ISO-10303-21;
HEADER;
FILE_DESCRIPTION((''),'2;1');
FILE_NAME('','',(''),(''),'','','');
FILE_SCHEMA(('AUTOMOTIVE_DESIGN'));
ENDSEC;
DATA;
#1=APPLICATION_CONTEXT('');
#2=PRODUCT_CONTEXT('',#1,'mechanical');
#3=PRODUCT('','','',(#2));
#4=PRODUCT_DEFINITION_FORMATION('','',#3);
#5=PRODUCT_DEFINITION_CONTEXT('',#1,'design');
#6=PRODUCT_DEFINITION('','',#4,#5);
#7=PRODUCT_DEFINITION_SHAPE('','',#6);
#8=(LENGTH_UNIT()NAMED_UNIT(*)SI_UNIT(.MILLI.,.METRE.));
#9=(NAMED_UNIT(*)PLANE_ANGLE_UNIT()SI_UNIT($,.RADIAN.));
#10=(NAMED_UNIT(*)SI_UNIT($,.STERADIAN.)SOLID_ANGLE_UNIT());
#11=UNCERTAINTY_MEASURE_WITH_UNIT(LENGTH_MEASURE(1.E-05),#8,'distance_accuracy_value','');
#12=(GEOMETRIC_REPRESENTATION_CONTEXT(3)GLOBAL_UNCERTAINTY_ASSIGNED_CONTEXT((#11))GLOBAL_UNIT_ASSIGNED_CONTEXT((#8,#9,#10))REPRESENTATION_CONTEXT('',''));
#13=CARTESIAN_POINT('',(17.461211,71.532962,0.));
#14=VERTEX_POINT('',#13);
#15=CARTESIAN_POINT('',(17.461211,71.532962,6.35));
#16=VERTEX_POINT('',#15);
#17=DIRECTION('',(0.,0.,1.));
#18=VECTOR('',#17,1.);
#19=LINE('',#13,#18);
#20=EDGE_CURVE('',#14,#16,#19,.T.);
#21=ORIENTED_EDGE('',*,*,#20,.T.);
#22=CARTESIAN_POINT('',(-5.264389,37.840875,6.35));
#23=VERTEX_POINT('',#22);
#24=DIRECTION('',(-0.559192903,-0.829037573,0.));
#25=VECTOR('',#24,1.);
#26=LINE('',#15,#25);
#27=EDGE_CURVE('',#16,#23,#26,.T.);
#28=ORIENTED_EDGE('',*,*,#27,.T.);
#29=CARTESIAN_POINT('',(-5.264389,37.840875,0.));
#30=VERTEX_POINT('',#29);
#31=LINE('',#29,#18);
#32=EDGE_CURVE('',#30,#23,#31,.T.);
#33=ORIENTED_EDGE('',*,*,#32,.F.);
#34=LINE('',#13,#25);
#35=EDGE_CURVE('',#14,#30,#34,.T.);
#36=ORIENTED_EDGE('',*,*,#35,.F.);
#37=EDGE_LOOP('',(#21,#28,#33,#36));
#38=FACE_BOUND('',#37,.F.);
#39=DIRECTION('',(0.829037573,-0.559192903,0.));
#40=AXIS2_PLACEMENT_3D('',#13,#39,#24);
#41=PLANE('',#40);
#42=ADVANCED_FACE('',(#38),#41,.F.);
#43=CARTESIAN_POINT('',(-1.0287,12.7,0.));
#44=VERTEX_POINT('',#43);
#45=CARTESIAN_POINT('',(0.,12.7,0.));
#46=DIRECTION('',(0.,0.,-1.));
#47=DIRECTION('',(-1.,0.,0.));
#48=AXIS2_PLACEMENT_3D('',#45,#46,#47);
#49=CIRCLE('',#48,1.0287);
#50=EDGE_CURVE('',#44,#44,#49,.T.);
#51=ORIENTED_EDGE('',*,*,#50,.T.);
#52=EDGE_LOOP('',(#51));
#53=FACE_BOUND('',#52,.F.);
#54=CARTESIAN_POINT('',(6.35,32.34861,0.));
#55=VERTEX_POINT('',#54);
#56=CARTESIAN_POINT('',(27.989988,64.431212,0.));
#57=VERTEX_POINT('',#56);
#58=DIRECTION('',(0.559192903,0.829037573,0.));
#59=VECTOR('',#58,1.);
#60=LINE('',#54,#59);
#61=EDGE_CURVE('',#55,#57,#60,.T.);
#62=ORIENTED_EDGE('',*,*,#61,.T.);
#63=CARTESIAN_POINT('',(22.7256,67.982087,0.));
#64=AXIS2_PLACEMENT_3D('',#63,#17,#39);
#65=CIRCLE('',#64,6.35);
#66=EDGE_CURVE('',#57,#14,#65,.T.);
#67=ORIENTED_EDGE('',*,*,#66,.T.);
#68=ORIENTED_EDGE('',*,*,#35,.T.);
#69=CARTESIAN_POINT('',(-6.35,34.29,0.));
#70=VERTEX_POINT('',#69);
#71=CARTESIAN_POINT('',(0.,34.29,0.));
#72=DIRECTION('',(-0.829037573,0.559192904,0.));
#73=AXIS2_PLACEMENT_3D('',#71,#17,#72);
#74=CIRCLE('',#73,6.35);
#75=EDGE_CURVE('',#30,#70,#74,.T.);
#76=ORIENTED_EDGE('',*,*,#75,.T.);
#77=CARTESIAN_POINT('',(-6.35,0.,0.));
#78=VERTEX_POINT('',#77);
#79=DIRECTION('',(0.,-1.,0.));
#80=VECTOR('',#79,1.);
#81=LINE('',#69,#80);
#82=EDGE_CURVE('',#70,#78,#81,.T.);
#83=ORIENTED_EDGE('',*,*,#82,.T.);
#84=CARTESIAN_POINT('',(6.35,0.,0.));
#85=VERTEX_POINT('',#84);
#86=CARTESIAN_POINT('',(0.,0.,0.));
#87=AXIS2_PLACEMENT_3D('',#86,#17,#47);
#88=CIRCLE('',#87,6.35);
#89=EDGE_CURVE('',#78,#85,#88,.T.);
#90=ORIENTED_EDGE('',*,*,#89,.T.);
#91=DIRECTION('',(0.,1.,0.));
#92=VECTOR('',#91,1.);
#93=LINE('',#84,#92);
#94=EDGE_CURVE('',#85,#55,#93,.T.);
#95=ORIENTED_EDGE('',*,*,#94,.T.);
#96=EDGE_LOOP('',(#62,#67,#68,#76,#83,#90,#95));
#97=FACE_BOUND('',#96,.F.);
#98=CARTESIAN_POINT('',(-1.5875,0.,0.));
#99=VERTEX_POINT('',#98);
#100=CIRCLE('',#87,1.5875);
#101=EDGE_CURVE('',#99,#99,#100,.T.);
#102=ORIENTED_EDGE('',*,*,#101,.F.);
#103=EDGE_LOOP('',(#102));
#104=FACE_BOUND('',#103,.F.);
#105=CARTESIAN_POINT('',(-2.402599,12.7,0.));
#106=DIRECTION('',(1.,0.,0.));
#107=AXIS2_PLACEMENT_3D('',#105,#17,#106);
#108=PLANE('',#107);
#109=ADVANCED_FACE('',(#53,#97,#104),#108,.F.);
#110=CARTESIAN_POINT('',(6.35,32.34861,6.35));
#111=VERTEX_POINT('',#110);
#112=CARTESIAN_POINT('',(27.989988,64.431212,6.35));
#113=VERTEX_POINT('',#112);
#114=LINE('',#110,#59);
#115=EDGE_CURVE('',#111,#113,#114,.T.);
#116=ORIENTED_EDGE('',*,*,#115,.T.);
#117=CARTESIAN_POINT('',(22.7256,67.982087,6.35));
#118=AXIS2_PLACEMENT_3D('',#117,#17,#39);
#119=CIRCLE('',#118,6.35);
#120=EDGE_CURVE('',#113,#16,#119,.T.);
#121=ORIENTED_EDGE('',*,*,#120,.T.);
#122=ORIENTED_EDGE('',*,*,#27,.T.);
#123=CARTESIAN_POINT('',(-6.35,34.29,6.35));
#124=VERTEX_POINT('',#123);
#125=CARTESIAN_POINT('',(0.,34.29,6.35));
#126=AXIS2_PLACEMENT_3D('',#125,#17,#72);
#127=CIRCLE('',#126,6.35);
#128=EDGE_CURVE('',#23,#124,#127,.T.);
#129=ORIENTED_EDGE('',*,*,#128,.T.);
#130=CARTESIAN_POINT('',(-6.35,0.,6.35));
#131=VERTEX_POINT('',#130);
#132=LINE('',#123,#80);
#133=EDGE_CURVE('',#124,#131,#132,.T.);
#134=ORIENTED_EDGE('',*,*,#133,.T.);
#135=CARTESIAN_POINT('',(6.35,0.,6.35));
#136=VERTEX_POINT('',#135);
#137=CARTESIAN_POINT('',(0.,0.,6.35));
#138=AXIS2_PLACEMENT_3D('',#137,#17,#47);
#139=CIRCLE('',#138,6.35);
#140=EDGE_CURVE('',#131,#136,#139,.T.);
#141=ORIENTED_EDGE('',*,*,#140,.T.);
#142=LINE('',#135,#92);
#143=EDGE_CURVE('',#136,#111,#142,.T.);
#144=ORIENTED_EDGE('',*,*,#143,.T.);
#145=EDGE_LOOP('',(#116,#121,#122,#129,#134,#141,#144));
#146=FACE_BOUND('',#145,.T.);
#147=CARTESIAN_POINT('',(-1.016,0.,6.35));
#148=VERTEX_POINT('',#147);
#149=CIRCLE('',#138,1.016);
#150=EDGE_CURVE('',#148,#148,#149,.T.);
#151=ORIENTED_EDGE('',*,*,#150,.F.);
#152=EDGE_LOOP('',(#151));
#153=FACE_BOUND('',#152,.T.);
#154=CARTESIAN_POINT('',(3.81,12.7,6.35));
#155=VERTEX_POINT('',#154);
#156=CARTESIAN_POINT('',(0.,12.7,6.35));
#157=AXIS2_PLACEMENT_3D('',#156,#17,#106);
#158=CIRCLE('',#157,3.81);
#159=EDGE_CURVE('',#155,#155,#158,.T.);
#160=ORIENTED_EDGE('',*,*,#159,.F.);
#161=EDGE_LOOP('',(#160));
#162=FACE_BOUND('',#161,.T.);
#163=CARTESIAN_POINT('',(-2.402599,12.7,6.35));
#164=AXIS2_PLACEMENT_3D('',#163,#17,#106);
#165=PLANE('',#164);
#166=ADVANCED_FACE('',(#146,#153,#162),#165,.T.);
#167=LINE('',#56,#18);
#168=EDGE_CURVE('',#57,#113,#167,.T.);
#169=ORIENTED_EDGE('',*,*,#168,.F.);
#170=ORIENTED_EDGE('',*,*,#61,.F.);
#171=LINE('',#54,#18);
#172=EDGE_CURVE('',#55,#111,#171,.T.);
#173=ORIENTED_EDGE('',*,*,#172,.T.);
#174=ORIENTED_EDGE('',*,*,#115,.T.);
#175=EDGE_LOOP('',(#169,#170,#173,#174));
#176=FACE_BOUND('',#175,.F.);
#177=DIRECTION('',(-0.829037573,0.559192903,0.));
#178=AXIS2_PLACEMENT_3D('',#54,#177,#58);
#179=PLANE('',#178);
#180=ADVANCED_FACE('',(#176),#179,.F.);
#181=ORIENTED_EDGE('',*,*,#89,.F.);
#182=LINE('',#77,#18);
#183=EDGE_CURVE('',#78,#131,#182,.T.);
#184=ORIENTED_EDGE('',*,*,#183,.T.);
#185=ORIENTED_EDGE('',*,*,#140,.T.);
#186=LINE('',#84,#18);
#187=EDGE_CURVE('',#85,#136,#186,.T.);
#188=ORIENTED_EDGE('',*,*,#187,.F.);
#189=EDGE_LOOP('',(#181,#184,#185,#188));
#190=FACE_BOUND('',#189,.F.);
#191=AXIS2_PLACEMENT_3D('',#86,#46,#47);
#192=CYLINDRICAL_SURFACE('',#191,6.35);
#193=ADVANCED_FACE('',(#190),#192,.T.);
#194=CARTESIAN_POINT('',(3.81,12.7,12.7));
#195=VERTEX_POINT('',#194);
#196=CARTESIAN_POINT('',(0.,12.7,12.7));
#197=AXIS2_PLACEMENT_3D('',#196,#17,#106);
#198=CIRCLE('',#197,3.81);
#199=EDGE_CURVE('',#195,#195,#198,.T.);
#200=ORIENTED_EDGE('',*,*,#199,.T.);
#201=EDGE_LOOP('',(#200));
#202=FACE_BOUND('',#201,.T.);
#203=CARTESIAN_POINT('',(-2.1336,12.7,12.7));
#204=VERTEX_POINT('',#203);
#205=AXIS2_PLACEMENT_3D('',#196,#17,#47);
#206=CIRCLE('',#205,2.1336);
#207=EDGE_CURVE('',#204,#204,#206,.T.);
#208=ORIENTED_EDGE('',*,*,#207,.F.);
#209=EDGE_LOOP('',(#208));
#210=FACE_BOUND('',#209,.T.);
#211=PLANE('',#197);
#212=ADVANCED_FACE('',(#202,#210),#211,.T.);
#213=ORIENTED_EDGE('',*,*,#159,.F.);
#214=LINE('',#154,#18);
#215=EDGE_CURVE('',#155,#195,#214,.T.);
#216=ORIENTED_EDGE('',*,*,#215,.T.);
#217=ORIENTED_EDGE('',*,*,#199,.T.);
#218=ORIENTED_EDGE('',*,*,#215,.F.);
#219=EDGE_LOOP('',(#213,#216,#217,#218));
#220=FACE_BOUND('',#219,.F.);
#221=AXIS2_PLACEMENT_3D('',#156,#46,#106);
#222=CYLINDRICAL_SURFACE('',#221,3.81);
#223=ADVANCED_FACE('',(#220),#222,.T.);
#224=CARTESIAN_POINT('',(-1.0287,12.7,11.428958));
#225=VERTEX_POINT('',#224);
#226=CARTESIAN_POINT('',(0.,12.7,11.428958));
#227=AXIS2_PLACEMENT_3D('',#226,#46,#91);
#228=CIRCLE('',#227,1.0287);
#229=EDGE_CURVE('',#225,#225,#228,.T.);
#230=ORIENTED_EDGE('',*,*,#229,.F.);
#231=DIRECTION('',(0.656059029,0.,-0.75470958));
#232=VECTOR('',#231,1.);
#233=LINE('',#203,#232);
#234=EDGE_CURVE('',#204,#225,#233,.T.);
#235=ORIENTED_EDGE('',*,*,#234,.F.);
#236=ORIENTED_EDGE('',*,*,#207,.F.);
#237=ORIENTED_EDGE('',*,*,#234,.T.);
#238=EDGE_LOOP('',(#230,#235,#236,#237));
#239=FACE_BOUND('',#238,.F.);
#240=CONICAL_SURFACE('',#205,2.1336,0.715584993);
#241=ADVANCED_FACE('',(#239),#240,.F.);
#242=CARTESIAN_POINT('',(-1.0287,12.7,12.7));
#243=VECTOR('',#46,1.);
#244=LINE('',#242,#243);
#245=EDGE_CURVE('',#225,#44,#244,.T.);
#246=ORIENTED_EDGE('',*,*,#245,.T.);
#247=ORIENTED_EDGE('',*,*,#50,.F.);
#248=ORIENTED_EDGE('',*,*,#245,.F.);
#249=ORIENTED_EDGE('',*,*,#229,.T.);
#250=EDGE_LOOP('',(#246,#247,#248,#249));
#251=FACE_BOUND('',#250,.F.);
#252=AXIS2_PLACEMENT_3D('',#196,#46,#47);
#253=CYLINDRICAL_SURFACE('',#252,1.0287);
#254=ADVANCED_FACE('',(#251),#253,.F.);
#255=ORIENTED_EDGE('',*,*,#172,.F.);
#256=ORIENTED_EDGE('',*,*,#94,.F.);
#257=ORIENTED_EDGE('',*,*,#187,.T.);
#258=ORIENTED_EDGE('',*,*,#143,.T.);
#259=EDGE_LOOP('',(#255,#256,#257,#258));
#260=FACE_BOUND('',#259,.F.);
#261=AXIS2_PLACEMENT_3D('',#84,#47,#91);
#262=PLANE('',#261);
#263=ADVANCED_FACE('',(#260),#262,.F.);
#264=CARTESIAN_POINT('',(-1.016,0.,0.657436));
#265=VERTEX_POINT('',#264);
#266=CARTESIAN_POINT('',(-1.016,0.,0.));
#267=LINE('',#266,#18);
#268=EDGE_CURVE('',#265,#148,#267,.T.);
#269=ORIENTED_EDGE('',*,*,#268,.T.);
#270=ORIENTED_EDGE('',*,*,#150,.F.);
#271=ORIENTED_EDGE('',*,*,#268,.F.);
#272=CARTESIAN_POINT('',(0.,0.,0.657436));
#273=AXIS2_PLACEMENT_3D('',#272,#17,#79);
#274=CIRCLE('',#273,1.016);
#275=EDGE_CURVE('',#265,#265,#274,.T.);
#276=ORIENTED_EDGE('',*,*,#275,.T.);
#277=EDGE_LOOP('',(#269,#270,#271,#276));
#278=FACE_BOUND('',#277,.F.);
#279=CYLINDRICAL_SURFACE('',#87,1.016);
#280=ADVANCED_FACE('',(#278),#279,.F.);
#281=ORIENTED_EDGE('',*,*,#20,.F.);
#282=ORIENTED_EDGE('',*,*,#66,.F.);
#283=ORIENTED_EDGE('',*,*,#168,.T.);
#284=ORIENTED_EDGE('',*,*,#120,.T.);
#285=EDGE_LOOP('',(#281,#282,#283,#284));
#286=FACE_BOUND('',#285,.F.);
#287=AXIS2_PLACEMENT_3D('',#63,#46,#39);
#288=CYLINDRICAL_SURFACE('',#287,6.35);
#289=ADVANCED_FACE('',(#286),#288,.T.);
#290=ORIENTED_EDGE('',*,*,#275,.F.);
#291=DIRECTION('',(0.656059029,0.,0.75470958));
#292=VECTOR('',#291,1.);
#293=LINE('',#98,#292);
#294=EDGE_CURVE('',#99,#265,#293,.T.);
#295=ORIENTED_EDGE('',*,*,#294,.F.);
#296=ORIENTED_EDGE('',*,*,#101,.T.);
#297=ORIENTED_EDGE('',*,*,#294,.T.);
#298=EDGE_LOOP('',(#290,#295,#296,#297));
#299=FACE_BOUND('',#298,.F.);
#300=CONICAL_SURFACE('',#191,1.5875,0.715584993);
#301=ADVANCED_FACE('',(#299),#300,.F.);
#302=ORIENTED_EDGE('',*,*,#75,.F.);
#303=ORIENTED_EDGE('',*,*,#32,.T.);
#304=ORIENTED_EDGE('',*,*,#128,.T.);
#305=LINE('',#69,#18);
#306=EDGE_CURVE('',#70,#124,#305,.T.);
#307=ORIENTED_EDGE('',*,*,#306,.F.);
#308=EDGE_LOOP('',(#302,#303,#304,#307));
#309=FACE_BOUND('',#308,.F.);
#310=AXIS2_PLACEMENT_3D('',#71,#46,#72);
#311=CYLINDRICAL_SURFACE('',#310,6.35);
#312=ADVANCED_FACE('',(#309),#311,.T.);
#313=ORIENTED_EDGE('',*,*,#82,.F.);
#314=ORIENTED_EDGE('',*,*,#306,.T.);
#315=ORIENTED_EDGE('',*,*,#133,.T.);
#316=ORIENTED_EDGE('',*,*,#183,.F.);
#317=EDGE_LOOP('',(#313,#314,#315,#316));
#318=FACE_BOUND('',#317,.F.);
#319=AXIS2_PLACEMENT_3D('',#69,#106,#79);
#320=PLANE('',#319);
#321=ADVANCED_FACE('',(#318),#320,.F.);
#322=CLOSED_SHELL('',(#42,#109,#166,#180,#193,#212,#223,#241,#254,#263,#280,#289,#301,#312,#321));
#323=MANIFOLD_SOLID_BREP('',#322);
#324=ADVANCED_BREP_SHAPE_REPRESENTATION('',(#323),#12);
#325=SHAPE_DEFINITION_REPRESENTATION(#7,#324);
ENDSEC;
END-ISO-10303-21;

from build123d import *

# Parameters (mm, degrees)
F1_DEPTH       = 6.35
F2_R           = 3.81
F3_DEPTH       = 6.35
F5_D           = 2.0574
F5_CSINK_D     = 4.2672
F5_CSINK_ANGLE = 82
F6_D           = 2.032
F6_CSINK_D     = 3.175
F6_CSINK_ANGLE = 82


with BuildPart() as f1:
    # F0 (on Top) → F1 (new body)
    with BuildSketch(Plane.XY):
        with BuildLine():
            ThreePointArc((-6.35, 12.7), (-4.4901280605, 8.2098719395), (0, 6.35))
            Line((0, 6.35), (0, 12.7))
            Line((0, 12.7), (0, 19.05))
            ThreePointArc((0, 19.05), (-4.4901280605, 17.1901280605), (-6.35, 12.7))
        make_face()
        with BuildLine():
            Line((0, 12.7), (0, 6.35))
            ThreePointArc((0, 6.35), (4.4901280605, 8.2098719395), (6.35, 12.7))
            ThreePointArc((6.35, 12.7), (4.4901280605, 17.1901280605), (0, 19.05))
            Line((0, 19.05), (0, 12.7))
        make_face()
        with BuildLine():
            ThreePointArc((6.35, 12.7), (4.4901280605, 8.2098719395), (0, 6.35))
            ThreePointArc((0, 6.35), (-4.4901280605, 8.2098719395), (-6.35, 12.7))
            Line((-6.35, 12.7), (-6.35, 0))
            ThreePointArc((-6.35, 0), (0, -6.35), (6.35, 0))
            Line((6.35, 0), (6.35, 12.7))
        make_face()
        with BuildLine():
            ThreePointArc((0, 19.05), (4.4901280605, 17.1901280605), (6.35, 12.7))
            Line((6.35, 12.7), (6.35, 32.3486101727))
            Line((6.35, 32.3486101727), (5.2643885857, 30.739125063))
            ThreePointArc((5.2643885857, 30.739125063), (2.9811444237, 28.6832827853), (0, 27.94))
            Line((0, 27.94), (0, 19.05))
        make_face()
        with BuildLine():
            Line((-6.35, 34.29), (-6.35, 12.7))
            ThreePointArc((-6.35, 12.7), (-4.4901280605, 17.1901280605), (0, 19.05))
            Line((0, 19.05), (0, 27.94))
            ThreePointArc((0, 27.94), (-4.4901280605, 29.7998719395), (-6.35, 34.29))
        make_face()
        with BuildLine():
            Line((6.35, 34.29), (6.35, 32.3486101727))
            Line((6.35, 32.3486101727), (27.9899881828, 64.4312120116))
            ThreePointArc((27.9899881828, 64.4312120116), (26.2764745341, 73.2464755344), (17.4612110113, 71.5329618857))
            Line((17.4612110113, 71.5329618857), (-5.2643885857, 37.840874937))
            ThreePointArc((-5.2643885857, 37.840874937), (-1.2116371206, 40.5233326149), (3.550874937, 39.5543885857))
            ThreePointArc((3.550874937, 39.5543885857), (5.6067172147, 37.2711444237), (6.35, 34.29))
        make_face()
        with BuildLine():
            Line((5.2643885857, 30.739125063), (6.35, 32.3486101727))
            Line((6.35, 32.3486101727), (6.35, 34.29))
            ThreePointArc((6.35, 34.29), (5.6067172147, 37.2711444237), (3.550874937, 39.5543885857))
            Line((3.550874937, 39.5543885857), (0, 34.29))
            Line((0, 34.29), (0, 27.94))
            ThreePointArc((0, 27.94), (2.9811444237, 28.6832827853), (5.2643885857, 30.739125063))
        make_face()
        with BuildLine():
            ThreePointArc((-5.2643885857, 37.840874937), (-6.0725352004, 36.146560325), (-6.35, 34.29))
            ThreePointArc((-6.35, 34.29), (-4.4901280605, 29.7998719395), (0, 27.94))
            Line((0, 27.94), (0, 34.29))
            Line((0, 34.29), (3.550874937, 39.5543885857))
            ThreePointArc((3.550874937, 39.5543885857), (-1.2116371206, 40.5233326149), (-5.2643885857, 37.840874937))
        make_face()
    extrude(amount=F1_DEPTH)

    # F2 (on face) → F3 (join)
    with BuildSketch(Plane.XY.offset(6.35)):
        with Locations((0, 12.7)):
            Circle(F2_R)
    extrude(amount=F3_DEPTH)

    # F5 (through all)
    with Locations(Plane.XY.offset(12.7)):
        with Locations((0, 12.7)):
            CounterSinkHole(F5_D / 2, F5_CSINK_D / 2, counter_sink_angle=F5_CSINK_ANGLE)

    # F6 (through all)
    with Locations(Plane(origin=(0, 0, 0), x_dir=(1, 0, 0), z_dir=(0, 0, -1))):
        with Locations((0, 0)):
            CounterSinkHole(F6_D / 2, F6_CSINK_D / 2, counter_sink_angle=F6_CSINK_ANGLE)


solid = f1.part
